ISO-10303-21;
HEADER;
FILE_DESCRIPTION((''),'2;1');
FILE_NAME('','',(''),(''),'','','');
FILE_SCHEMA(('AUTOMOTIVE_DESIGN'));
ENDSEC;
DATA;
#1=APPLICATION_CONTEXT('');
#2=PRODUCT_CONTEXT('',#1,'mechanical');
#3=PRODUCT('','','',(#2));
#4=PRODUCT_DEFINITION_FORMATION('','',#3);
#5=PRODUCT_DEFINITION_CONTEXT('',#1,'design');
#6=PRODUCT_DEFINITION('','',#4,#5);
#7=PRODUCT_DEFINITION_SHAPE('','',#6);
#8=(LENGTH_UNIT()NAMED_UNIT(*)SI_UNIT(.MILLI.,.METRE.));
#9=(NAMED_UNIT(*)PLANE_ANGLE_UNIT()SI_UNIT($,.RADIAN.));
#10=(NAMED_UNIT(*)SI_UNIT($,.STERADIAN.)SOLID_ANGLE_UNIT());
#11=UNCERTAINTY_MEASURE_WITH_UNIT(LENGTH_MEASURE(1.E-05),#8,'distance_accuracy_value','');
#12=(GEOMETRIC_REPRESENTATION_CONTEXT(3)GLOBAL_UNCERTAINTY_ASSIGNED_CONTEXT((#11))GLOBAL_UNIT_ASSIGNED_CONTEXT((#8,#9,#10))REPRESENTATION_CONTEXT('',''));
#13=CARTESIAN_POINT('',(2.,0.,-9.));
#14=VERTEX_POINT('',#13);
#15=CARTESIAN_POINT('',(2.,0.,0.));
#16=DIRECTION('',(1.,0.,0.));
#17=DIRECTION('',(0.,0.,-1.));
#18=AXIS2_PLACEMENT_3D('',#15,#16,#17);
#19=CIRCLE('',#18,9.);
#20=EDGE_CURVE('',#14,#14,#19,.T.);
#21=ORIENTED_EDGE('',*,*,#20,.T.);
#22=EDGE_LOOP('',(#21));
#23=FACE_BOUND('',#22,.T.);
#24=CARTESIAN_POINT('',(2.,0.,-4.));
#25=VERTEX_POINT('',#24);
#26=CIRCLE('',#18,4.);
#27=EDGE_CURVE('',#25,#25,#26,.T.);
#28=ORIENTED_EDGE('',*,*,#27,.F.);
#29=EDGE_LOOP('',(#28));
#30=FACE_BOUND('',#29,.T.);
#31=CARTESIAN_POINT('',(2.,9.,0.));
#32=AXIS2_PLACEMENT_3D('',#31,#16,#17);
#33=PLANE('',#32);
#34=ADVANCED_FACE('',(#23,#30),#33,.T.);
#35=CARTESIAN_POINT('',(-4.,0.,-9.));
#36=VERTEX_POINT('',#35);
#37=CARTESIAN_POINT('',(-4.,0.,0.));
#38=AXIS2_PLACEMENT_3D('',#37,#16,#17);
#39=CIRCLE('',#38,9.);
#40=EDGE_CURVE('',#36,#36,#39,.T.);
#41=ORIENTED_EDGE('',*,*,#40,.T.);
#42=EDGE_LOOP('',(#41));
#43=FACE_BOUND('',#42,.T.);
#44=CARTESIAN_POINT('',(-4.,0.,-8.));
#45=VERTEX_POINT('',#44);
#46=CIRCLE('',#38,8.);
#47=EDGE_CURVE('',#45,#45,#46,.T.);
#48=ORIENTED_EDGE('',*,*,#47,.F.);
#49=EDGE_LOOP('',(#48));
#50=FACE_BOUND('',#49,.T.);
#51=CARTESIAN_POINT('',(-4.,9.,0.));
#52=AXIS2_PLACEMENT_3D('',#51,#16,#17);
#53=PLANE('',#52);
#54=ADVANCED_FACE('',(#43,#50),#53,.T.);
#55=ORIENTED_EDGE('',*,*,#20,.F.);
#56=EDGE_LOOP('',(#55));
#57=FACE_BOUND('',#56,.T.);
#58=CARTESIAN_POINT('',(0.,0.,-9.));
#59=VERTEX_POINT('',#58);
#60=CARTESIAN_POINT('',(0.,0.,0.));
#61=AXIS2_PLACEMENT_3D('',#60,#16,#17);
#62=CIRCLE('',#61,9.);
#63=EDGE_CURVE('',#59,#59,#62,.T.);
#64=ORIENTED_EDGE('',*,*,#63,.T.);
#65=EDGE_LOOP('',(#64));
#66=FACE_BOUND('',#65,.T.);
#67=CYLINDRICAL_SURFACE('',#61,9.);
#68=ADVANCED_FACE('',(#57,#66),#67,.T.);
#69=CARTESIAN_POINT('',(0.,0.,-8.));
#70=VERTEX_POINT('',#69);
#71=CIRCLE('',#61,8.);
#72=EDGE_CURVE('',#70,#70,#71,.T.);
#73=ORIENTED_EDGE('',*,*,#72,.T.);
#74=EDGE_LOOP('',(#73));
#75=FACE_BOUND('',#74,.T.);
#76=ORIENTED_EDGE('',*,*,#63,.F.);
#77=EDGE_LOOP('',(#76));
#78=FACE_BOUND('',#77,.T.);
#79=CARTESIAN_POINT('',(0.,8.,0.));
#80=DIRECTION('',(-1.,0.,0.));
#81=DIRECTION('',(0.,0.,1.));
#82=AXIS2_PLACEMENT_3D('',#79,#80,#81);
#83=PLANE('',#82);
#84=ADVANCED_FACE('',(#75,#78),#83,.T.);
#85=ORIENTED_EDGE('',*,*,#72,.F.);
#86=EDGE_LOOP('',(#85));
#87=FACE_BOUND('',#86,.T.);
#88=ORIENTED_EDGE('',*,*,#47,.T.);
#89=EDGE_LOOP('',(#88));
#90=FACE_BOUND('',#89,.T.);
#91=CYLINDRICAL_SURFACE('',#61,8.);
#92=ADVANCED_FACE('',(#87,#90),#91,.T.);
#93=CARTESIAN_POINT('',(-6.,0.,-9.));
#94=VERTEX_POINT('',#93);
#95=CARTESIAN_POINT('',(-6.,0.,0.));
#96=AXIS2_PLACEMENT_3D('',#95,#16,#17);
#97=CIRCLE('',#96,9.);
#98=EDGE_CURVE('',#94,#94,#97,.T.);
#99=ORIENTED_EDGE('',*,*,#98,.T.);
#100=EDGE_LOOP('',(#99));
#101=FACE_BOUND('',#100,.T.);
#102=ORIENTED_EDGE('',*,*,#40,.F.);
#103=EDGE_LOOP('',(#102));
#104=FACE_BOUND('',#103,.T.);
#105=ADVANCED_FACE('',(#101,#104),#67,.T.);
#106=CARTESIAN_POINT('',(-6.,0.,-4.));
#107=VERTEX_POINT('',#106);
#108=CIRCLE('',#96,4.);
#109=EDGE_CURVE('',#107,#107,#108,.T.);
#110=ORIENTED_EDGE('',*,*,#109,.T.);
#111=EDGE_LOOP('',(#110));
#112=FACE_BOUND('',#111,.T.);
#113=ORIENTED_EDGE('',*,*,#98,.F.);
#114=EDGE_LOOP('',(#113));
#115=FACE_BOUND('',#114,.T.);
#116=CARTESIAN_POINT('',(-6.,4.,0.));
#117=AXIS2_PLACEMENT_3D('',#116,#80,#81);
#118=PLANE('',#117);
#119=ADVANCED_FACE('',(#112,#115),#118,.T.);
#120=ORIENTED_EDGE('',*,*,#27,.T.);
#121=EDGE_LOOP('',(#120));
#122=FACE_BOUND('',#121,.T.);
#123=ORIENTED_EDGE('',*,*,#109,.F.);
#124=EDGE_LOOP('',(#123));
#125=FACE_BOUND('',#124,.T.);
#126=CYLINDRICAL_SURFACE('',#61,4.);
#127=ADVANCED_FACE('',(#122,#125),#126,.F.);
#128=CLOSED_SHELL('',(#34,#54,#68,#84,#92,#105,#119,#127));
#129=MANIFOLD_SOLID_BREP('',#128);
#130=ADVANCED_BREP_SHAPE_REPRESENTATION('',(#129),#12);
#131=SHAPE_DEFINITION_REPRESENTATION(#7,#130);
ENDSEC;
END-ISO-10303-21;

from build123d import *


with BuildPart() as part:
    # Sketch2 → Revolve1 (revolve)
    with BuildSketch(Plane.XY, mode=Mode.PRIVATE) as revolve1_sk:
        Polygon((-6, 4), (2, 4), (2, 9), (0, 9), (0, 8), (-4, 8), (-4, 9), (-6, 9), align=None)
    revolve(revolve1_sk.sketch.rotate(Axis((0, 0, 0), (-1, 0, 0)), 90), axis=Axis((0, 0, 0), (-1, 0, 0)))


solid = part.part
